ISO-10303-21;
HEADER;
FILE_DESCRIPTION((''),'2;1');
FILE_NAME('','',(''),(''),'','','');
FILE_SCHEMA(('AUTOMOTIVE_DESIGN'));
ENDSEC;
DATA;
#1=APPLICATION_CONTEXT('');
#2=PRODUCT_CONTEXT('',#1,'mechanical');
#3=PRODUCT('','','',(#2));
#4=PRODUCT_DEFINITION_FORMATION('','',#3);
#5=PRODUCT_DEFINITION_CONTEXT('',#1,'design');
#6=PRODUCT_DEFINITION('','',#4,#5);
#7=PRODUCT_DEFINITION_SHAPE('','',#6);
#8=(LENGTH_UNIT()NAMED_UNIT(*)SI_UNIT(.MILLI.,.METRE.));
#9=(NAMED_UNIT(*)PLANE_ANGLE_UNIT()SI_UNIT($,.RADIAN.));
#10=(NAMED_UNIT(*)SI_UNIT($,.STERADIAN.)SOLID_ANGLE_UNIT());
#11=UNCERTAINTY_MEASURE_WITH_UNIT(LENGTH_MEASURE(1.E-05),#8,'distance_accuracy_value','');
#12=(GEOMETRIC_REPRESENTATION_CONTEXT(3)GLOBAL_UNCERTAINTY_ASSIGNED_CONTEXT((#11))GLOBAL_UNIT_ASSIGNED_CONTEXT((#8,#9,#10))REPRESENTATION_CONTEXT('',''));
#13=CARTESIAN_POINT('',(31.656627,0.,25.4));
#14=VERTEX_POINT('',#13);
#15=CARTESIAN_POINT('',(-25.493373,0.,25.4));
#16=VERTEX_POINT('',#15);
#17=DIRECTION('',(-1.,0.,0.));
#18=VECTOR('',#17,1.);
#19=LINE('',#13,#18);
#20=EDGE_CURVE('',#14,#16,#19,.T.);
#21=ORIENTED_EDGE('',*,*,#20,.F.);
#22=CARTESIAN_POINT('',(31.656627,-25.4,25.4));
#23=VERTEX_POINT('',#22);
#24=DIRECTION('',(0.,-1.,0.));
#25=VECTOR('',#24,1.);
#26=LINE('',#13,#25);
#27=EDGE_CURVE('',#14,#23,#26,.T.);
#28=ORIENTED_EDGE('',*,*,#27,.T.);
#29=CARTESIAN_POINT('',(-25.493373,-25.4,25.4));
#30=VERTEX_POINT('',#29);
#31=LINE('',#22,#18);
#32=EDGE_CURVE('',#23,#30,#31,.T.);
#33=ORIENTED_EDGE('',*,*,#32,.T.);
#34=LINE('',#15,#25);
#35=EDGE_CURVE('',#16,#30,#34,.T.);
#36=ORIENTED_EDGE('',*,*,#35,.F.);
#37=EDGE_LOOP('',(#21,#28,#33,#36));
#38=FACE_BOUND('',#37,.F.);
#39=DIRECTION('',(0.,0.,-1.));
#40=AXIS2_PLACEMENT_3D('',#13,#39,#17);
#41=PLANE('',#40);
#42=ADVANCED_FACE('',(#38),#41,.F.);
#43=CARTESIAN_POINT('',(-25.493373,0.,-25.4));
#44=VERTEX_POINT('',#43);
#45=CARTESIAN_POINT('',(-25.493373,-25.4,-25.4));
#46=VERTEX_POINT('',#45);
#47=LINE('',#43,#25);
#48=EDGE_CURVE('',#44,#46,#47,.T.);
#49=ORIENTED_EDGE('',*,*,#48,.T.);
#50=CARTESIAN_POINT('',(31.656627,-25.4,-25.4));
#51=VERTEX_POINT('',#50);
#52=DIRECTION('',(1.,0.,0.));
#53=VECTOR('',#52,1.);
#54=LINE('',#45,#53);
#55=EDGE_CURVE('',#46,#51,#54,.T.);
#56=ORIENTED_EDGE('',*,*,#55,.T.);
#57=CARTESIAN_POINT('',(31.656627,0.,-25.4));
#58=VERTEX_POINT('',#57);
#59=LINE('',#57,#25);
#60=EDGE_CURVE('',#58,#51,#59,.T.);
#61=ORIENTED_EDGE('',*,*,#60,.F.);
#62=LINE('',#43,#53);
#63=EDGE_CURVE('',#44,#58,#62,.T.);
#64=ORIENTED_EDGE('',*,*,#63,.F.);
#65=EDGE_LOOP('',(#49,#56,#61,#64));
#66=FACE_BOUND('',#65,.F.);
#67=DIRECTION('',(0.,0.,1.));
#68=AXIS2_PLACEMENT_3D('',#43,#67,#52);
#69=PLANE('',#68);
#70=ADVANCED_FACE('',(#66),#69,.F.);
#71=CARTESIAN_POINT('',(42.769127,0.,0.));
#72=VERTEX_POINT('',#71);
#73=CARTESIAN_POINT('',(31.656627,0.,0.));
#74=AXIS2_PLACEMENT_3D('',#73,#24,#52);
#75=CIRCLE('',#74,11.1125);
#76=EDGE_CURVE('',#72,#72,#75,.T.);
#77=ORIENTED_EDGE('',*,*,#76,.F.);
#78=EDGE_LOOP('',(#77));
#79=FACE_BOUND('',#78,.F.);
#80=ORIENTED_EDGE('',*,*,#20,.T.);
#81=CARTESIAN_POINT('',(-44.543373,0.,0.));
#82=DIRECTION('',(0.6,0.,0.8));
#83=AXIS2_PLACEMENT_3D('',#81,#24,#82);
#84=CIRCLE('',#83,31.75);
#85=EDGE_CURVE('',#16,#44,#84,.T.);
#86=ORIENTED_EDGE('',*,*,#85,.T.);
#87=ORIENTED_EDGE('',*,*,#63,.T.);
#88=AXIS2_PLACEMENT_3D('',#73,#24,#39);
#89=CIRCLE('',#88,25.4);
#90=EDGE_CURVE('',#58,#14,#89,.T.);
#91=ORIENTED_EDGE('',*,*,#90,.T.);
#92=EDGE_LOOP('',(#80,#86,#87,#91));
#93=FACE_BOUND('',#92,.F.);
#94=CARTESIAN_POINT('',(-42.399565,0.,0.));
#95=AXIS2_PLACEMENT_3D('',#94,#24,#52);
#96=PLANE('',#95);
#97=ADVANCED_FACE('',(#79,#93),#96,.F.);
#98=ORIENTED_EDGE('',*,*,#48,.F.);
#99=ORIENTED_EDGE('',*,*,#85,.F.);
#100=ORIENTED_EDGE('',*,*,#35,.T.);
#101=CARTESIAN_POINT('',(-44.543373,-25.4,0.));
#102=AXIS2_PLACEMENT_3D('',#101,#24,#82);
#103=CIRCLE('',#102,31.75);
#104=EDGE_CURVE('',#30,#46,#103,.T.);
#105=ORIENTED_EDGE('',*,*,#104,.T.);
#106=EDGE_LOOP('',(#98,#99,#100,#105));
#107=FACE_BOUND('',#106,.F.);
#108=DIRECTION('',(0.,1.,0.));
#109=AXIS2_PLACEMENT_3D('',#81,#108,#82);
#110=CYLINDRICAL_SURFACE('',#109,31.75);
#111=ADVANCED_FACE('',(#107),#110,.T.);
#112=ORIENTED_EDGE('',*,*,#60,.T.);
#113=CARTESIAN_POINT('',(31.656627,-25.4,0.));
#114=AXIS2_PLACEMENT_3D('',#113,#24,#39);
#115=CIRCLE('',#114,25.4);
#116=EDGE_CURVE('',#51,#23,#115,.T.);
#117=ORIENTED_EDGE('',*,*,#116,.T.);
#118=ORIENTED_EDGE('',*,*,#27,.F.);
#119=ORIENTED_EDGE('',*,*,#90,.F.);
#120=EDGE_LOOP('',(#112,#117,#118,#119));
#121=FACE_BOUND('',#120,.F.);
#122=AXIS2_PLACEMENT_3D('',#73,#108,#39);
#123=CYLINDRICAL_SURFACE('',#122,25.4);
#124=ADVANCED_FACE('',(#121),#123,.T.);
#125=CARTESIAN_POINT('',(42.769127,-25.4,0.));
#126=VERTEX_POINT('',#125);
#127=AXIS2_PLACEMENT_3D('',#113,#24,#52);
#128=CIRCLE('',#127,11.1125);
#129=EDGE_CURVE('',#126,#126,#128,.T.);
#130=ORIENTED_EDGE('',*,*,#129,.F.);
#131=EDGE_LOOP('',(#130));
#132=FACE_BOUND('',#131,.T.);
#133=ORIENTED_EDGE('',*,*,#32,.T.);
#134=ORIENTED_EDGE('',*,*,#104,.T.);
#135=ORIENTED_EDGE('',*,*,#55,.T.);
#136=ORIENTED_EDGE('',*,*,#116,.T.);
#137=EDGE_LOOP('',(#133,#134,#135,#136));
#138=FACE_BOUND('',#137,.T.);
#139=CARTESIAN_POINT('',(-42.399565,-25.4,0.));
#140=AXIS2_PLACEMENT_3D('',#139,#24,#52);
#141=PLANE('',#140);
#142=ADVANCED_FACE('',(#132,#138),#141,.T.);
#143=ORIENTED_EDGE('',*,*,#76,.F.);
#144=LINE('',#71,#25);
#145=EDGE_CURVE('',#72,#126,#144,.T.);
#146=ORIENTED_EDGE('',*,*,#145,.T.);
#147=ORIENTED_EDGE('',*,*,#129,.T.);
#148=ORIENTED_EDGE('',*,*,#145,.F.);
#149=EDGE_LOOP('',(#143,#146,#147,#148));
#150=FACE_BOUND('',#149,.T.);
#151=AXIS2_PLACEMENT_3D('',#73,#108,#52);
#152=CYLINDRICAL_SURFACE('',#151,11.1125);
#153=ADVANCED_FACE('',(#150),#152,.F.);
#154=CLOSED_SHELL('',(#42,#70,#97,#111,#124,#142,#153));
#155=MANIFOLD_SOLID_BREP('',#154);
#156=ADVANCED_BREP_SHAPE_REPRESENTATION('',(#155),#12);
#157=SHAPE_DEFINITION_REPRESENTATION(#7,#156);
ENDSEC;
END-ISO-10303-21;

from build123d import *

# Parameters (mm, degrees)
F0_R     = 11.1125
F1_DEPTH = 25.4


with BuildPart() as f1:
    # F0 (on Front) → F1 (new body)
    with BuildSketch(Plane.XZ):
        with BuildLine():
            ThreePointArc((-25.493373, -25.4), (-16.145309, -14.199032), (-12.793373, 0))
            ThreePointArc((-12.793373, 0), (-16.145309, 14.199032), (-25.493373, 25.4))
            ThreePointArc((-25.493373, 25.4), (-76.293373, 0), (-25.493373, -25.4))
        make_face()
        with BuildLine():
            ThreePointArc((-25.493373, 25.4), (-16.145309, 14.199032), (-12.793373, 0))
            ThreePointArc((-12.793373, 0), (-16.145309, -14.199032), (-25.493373, -25.4))
            Line((-25.493373, -25.4), (31.656627, -25.4))
            ThreePointArc((31.656627, -25.4), (57.056627, 0), (31.656627, 25.4))
            Line((31.656627, 25.4), (-25.493373, 25.4))
        make_face()
        with Locations((31.656627, 0)):
            Circle(F0_R, mode=Mode.SUBTRACT)
    extrude(amount=F1_DEPTH)


solid = f1.part
